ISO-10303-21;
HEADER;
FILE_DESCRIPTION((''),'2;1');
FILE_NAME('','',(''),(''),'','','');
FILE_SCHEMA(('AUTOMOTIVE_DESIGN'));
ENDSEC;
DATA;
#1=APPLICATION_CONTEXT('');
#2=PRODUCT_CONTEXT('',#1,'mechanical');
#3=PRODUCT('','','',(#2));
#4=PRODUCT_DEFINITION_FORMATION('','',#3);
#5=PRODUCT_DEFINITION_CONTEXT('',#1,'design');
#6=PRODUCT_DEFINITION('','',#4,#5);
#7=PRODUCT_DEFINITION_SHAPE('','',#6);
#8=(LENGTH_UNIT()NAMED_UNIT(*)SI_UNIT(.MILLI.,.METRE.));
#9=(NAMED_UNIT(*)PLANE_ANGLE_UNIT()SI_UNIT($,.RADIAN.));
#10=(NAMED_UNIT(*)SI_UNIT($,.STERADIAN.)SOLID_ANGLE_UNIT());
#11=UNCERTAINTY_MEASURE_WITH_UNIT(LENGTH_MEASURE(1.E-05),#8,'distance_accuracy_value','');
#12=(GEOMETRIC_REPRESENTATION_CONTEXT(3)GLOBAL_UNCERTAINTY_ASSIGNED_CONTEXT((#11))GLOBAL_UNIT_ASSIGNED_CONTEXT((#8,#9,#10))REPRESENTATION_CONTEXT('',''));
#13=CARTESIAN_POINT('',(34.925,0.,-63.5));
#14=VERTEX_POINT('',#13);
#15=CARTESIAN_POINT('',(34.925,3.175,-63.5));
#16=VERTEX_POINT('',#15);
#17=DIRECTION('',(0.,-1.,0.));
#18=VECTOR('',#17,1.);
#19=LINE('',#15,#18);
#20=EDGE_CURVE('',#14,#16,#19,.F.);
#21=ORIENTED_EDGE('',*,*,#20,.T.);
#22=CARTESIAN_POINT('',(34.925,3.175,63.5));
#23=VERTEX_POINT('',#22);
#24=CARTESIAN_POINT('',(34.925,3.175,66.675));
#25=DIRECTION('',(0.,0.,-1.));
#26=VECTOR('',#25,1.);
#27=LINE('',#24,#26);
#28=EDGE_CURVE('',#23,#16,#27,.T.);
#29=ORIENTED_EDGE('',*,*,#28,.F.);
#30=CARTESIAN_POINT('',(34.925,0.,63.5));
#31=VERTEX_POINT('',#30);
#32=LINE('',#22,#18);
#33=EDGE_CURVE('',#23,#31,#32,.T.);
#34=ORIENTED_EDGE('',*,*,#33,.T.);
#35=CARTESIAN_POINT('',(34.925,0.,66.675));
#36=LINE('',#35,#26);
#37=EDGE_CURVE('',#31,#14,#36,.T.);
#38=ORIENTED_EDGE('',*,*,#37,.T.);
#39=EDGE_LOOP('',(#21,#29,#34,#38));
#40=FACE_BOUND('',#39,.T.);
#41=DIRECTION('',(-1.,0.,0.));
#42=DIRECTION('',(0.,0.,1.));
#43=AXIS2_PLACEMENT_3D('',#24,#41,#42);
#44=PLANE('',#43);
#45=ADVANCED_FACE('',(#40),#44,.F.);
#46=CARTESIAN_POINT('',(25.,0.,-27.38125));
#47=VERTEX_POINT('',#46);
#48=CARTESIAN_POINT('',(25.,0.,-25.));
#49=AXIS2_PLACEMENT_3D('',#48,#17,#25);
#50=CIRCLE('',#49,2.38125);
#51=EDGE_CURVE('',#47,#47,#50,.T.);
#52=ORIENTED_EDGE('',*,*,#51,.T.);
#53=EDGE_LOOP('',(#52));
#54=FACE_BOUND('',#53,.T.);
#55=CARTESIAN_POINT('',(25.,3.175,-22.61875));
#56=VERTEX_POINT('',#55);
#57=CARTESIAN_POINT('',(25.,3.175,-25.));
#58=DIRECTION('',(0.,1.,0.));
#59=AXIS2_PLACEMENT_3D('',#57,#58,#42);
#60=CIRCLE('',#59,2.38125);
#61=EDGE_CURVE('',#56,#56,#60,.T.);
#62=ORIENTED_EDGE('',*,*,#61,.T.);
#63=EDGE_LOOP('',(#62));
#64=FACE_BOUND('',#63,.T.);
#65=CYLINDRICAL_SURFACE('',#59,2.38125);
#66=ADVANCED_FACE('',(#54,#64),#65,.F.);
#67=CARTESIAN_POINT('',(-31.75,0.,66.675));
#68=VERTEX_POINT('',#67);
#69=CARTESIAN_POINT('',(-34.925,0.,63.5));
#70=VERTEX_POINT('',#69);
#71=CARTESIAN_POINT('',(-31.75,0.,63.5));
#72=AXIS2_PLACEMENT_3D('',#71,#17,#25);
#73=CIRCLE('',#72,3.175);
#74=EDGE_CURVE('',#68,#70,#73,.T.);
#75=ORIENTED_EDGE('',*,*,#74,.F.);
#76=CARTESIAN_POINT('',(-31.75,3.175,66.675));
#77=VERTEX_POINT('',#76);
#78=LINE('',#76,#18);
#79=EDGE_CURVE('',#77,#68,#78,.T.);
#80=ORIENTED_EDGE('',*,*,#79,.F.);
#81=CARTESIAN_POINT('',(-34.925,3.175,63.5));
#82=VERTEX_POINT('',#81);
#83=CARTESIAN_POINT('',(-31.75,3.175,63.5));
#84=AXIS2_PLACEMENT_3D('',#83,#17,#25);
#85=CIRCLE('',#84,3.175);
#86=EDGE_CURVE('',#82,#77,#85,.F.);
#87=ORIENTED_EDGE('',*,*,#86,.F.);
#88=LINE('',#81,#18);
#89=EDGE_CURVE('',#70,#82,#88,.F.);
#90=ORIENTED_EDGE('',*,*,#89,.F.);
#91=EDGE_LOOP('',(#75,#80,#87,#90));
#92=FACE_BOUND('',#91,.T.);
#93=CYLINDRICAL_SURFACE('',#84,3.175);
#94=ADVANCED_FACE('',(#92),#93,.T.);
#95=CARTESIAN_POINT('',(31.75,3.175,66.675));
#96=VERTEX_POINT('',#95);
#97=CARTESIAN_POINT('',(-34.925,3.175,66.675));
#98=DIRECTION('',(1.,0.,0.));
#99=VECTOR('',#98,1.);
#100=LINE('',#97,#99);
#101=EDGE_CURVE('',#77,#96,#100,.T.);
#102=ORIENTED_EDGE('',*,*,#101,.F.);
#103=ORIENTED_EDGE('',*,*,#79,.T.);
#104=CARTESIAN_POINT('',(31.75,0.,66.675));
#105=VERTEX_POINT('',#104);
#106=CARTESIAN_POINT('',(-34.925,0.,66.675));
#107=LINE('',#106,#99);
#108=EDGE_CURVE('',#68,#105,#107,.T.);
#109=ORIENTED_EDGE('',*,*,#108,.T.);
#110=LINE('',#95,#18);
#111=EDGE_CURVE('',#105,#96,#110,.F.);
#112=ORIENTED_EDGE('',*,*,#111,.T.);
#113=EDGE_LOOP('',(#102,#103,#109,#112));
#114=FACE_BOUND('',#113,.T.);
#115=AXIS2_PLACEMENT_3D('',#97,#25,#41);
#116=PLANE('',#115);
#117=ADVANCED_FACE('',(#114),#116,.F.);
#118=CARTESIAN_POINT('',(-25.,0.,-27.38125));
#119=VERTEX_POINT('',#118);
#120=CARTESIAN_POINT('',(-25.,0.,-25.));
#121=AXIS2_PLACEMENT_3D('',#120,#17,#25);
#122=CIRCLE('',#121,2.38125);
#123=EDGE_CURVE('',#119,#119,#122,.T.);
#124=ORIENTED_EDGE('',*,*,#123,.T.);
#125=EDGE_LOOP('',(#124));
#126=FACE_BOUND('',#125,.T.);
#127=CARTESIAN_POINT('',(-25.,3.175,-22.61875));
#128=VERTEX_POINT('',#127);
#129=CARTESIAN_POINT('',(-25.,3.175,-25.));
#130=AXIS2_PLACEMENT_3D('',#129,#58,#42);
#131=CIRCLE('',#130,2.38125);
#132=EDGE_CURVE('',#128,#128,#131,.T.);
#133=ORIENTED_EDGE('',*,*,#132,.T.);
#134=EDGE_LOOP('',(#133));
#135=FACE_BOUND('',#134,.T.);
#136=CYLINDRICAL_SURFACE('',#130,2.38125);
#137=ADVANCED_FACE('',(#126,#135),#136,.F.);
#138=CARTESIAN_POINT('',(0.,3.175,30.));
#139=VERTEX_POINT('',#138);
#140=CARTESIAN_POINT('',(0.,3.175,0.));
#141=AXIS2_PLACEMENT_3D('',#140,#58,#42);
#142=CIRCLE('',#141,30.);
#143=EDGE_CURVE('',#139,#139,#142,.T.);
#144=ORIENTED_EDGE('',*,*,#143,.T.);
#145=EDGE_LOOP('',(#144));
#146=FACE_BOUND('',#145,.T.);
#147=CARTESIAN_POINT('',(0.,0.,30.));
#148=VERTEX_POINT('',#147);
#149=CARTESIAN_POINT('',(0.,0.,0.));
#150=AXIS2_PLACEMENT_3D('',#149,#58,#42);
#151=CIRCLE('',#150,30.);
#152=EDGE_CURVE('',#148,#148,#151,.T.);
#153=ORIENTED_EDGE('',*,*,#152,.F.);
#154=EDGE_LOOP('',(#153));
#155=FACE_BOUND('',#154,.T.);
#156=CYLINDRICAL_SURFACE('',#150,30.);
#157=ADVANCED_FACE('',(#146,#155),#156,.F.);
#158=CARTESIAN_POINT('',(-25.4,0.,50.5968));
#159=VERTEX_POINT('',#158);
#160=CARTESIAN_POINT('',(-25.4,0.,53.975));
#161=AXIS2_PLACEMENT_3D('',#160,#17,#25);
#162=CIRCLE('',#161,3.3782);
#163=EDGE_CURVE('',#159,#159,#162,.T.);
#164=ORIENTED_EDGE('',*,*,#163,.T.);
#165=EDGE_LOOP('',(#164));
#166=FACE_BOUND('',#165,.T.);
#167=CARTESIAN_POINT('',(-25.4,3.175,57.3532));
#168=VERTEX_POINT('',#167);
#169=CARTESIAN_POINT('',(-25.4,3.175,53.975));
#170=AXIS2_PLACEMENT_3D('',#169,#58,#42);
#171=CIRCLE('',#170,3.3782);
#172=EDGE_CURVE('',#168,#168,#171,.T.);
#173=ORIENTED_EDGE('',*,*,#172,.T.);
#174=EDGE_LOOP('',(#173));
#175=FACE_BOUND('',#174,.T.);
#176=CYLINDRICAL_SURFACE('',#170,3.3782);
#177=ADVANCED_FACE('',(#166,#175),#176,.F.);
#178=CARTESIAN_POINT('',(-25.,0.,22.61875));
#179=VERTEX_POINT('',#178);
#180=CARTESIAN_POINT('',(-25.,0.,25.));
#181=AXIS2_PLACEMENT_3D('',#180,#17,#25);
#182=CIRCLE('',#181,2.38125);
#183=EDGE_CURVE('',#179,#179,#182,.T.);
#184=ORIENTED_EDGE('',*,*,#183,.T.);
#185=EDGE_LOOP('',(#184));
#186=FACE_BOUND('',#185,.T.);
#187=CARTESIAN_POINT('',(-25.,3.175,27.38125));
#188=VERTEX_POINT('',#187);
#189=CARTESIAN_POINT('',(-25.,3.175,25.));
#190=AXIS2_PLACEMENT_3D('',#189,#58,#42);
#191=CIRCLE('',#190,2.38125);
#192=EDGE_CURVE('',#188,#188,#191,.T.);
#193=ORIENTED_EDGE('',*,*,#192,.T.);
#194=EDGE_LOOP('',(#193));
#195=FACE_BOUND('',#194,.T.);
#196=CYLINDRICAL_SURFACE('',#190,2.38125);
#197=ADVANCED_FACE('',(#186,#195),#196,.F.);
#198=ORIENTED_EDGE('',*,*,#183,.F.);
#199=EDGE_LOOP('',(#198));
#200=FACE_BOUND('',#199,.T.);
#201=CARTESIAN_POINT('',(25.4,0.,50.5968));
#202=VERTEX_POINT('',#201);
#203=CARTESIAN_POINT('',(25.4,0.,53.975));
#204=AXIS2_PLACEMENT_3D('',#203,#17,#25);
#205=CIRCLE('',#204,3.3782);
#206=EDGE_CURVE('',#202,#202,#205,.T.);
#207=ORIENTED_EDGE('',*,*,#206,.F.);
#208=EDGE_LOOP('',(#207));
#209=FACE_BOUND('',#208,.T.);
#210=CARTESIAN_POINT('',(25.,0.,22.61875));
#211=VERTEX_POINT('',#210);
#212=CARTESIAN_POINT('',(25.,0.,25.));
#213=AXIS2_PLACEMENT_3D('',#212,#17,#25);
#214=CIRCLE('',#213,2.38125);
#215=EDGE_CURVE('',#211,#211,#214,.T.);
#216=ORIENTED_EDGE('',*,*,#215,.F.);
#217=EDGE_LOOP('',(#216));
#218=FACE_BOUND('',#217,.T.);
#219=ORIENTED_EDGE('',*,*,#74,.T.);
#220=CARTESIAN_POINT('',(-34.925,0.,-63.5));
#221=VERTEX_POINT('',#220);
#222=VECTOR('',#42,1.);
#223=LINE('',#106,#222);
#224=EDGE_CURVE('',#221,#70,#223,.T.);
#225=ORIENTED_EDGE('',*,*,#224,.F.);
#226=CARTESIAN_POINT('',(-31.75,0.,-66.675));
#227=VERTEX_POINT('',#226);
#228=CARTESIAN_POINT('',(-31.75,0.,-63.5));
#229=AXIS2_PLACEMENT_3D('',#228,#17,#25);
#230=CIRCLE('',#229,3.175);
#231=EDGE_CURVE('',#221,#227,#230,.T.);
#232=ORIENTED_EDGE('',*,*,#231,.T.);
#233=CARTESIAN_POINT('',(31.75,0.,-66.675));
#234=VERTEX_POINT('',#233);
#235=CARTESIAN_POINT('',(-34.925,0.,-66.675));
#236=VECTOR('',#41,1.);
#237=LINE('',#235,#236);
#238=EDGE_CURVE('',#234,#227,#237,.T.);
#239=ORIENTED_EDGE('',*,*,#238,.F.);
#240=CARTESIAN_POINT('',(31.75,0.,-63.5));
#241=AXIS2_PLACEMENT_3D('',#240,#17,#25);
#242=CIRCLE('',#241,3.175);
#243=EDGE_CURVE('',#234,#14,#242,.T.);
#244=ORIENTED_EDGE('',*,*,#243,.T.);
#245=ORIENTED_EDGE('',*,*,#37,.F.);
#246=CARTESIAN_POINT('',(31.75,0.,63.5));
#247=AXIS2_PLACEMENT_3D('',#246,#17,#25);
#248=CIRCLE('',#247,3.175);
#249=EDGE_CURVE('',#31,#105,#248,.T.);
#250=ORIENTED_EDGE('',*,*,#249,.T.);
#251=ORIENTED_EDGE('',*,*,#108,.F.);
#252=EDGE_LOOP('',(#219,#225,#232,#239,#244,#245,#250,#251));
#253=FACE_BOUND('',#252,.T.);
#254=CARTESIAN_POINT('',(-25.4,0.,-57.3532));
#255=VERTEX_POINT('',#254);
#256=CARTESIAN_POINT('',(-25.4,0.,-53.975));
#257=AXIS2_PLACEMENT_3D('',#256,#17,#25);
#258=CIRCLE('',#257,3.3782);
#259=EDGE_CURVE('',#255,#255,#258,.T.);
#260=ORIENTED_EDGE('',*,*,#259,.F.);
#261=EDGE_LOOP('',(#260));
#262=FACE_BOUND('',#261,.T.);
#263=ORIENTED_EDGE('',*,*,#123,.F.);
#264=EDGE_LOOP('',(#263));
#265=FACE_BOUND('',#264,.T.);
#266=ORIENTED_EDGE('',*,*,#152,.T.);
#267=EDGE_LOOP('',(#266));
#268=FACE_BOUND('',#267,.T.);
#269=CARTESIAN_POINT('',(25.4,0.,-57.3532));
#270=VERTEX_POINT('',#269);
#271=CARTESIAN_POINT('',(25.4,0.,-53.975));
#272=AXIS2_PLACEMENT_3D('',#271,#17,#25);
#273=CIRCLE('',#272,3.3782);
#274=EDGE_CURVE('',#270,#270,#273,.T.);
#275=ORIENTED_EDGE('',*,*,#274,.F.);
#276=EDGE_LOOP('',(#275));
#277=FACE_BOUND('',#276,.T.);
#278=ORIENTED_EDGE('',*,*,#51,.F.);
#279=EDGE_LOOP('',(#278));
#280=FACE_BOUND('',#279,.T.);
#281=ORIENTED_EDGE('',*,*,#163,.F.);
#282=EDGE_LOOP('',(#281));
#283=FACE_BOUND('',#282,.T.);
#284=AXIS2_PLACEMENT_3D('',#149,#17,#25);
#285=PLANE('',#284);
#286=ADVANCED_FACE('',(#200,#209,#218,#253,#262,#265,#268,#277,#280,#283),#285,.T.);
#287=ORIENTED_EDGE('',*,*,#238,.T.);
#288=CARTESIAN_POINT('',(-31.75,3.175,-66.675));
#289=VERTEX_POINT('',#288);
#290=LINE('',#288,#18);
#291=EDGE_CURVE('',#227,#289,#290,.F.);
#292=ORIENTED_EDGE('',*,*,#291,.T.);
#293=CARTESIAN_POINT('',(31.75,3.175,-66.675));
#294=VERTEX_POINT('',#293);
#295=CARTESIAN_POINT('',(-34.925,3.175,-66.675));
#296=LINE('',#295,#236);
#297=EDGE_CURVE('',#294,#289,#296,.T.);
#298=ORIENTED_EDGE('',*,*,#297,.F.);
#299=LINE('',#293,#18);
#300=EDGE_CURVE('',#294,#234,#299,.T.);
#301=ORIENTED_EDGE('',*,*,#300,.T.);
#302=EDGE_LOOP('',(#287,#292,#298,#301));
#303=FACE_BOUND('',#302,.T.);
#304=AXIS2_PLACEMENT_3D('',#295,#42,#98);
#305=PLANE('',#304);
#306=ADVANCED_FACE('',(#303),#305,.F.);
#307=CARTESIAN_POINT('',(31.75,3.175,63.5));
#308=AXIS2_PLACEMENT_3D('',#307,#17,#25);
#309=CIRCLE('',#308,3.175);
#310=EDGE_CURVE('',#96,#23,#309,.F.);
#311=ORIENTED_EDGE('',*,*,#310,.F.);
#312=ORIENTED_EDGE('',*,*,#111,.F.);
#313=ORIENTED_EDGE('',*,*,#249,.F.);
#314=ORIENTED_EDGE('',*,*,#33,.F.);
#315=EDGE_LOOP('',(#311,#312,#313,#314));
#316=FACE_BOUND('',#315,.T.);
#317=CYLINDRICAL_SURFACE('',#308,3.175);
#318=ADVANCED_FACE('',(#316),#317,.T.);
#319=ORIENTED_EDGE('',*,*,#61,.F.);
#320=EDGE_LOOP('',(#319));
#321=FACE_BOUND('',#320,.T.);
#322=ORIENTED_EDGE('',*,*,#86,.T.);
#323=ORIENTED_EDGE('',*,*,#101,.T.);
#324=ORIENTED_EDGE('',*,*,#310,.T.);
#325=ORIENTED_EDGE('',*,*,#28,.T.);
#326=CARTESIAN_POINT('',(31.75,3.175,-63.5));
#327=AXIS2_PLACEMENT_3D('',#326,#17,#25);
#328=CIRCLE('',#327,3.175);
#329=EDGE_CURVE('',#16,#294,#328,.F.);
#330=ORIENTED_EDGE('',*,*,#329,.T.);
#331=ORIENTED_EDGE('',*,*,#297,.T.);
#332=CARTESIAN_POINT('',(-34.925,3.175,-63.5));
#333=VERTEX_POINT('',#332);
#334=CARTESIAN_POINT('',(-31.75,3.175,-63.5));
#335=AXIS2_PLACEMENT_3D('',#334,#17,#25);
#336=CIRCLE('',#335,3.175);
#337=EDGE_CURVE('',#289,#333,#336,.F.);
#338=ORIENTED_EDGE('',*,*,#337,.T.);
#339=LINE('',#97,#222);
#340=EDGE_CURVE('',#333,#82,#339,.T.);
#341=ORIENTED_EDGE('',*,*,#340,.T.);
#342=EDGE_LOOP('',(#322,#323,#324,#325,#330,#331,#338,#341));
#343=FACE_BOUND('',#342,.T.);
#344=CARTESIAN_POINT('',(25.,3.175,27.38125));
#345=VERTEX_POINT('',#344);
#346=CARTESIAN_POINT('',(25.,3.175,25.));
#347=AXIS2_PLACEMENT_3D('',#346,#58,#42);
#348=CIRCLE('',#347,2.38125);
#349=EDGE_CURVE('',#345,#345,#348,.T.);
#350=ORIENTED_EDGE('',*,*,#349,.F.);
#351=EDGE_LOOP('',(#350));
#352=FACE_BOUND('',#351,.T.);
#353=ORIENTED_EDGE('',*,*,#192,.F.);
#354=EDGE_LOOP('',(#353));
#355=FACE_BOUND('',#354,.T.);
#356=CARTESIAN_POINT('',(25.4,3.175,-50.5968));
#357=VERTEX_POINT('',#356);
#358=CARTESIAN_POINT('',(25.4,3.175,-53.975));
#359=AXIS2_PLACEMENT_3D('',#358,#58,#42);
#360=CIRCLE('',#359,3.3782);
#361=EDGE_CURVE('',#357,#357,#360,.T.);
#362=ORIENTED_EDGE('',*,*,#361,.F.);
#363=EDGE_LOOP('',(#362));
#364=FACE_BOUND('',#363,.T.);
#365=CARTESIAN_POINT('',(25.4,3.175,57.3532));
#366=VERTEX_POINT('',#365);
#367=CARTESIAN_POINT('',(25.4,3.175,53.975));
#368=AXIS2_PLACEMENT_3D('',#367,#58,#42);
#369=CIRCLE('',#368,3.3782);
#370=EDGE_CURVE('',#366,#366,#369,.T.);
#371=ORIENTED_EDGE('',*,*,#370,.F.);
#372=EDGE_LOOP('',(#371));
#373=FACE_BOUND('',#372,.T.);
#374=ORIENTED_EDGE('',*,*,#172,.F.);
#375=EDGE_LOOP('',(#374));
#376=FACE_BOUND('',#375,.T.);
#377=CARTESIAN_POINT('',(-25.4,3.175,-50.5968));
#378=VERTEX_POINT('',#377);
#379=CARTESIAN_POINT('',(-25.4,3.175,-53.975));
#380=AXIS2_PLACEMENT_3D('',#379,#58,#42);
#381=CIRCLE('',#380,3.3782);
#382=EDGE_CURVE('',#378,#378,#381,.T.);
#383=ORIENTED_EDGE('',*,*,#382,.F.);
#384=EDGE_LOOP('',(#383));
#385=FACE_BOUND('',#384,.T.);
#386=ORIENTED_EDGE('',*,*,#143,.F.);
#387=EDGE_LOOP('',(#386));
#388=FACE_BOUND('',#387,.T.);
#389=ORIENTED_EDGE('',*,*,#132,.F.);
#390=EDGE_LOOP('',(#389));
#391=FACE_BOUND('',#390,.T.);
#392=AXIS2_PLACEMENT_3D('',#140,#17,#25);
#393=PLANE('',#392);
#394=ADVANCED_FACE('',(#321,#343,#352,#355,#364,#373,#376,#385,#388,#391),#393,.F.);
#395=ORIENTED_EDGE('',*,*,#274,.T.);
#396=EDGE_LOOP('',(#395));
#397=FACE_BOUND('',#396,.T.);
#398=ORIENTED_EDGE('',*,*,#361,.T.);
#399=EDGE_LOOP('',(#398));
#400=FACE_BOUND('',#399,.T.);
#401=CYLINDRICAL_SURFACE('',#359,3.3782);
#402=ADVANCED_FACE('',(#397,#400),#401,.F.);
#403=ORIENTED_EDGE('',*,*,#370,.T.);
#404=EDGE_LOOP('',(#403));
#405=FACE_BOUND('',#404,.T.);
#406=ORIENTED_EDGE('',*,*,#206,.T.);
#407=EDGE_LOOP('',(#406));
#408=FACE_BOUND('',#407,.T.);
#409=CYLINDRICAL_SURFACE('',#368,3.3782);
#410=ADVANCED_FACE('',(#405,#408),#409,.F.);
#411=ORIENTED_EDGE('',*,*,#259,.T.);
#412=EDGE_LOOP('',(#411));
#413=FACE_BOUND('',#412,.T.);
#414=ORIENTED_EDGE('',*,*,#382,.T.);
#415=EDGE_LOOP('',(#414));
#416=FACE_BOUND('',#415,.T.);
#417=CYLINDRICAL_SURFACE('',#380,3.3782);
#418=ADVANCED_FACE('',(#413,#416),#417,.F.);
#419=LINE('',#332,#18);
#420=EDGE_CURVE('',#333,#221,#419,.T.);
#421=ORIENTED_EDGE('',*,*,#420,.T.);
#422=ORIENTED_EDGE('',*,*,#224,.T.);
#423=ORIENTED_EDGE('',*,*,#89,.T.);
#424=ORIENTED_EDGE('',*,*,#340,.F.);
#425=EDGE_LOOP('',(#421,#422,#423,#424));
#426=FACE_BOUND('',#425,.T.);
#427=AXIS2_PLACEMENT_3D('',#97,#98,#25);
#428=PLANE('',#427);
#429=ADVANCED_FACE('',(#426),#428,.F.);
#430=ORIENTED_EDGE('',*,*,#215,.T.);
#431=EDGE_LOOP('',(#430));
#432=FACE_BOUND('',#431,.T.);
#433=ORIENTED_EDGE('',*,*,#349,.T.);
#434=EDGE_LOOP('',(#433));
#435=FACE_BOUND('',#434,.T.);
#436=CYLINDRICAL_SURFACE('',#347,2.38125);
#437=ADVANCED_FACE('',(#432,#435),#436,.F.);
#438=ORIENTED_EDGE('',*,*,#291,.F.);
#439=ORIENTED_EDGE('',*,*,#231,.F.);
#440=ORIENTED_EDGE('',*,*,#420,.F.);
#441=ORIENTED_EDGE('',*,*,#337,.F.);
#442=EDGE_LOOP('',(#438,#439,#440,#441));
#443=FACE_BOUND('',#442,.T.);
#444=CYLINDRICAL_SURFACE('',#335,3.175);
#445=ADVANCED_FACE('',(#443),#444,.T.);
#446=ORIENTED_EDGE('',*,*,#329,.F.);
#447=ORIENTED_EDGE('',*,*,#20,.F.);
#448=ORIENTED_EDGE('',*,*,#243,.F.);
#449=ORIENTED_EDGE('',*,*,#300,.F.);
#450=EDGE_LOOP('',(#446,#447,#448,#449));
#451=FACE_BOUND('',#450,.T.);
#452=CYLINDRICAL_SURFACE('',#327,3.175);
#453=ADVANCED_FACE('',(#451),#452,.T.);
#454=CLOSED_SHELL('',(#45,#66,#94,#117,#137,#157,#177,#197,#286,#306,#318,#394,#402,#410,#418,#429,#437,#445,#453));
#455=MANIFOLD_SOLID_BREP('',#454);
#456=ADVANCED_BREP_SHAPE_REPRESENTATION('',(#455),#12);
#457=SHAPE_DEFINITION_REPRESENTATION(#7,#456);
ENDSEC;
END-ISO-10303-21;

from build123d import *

# Parameters (mm, degrees)
SKETCH1_W                      = 69.85
SKETCH1_H                      = 133.35
BOSS_EXTRUDE1_DEPTH            = 3.175
SKETCH2_R                      = 30
CUT_EXTRUDE1_DEPTH             = 3.175
F_3_16_0_1875_DIAMETER_HOLE1_D = 4.7625
F_1_4_CLEARANCE_HOLE1_D        = 6.7564
F_1_4_CLEARANCE_HOLE1_DEPTH    = 3.175
FILLET1_R                      = 3.175


with BuildPart() as part:
    # Sketch1 → Boss-Extrude1 (new body)
    with BuildSketch(Plane(origin=(0, 0, 0), x_dir=(1, 0, 0), z_dir=(0, 1, 0))):
        Rectangle(SKETCH1_W, SKETCH1_H)
    extrude(amount=BOSS_EXTRUDE1_DEPTH)

    # Sketch2 → Cut-Extrude1 (cut)
    with BuildSketch(Plane(origin=(0, 3.175, 0), x_dir=(1, 0, 0), z_dir=(0, 1, 0))):
        with Locations(Location((0, 0, 0), (0, 0, 270))):
            Circle(SKETCH2_R)
    extrude(amount=-CUT_EXTRUDE1_DEPTH, mode=Mode.SUBTRACT)

    # 3/16 (0.1875) Diameter Hole1 (through all)
    with Locations(Plane(origin=(0, 3.175, 0), x_dir=(1, 0, 0), z_dir=(0, 1, 0))):
        with Locations((25, -25), (25, 25), (-25, -25), (-25, 25)):
            Hole(F_3_16_0_1875_DIAMETER_HOLE1_D / 2)

    # 1/4 Clearance Hole1
    with Locations(Plane(origin=(0, 3.175, 0), x_dir=(1, 0, 0), z_dir=(0, 1, 0))):
        with Locations((0, 0), (25.4, 53.975), (-25.4, -53.975), (-25.4, 53.975), (25.4, -53.975)):
            Hole(F_1_4_CLEARANCE_HOLE1_D / 2, depth=F_1_4_CLEARANCE_HOLE1_DEPTH)

    # Fillet1
    fillet1_edges = [part.edges().sort_by_distance(p)[0] for p in [
        (34.925, 1.5875, 66.675),
        (-34.925, 1.5875, 66.675),
        (-34.925, 1.5875, -66.675),
        (34.925, 1.5875, -66.675),
    ]]
    fillet(fillet1_edges, radius=FILLET1_R)


solid = part.part
